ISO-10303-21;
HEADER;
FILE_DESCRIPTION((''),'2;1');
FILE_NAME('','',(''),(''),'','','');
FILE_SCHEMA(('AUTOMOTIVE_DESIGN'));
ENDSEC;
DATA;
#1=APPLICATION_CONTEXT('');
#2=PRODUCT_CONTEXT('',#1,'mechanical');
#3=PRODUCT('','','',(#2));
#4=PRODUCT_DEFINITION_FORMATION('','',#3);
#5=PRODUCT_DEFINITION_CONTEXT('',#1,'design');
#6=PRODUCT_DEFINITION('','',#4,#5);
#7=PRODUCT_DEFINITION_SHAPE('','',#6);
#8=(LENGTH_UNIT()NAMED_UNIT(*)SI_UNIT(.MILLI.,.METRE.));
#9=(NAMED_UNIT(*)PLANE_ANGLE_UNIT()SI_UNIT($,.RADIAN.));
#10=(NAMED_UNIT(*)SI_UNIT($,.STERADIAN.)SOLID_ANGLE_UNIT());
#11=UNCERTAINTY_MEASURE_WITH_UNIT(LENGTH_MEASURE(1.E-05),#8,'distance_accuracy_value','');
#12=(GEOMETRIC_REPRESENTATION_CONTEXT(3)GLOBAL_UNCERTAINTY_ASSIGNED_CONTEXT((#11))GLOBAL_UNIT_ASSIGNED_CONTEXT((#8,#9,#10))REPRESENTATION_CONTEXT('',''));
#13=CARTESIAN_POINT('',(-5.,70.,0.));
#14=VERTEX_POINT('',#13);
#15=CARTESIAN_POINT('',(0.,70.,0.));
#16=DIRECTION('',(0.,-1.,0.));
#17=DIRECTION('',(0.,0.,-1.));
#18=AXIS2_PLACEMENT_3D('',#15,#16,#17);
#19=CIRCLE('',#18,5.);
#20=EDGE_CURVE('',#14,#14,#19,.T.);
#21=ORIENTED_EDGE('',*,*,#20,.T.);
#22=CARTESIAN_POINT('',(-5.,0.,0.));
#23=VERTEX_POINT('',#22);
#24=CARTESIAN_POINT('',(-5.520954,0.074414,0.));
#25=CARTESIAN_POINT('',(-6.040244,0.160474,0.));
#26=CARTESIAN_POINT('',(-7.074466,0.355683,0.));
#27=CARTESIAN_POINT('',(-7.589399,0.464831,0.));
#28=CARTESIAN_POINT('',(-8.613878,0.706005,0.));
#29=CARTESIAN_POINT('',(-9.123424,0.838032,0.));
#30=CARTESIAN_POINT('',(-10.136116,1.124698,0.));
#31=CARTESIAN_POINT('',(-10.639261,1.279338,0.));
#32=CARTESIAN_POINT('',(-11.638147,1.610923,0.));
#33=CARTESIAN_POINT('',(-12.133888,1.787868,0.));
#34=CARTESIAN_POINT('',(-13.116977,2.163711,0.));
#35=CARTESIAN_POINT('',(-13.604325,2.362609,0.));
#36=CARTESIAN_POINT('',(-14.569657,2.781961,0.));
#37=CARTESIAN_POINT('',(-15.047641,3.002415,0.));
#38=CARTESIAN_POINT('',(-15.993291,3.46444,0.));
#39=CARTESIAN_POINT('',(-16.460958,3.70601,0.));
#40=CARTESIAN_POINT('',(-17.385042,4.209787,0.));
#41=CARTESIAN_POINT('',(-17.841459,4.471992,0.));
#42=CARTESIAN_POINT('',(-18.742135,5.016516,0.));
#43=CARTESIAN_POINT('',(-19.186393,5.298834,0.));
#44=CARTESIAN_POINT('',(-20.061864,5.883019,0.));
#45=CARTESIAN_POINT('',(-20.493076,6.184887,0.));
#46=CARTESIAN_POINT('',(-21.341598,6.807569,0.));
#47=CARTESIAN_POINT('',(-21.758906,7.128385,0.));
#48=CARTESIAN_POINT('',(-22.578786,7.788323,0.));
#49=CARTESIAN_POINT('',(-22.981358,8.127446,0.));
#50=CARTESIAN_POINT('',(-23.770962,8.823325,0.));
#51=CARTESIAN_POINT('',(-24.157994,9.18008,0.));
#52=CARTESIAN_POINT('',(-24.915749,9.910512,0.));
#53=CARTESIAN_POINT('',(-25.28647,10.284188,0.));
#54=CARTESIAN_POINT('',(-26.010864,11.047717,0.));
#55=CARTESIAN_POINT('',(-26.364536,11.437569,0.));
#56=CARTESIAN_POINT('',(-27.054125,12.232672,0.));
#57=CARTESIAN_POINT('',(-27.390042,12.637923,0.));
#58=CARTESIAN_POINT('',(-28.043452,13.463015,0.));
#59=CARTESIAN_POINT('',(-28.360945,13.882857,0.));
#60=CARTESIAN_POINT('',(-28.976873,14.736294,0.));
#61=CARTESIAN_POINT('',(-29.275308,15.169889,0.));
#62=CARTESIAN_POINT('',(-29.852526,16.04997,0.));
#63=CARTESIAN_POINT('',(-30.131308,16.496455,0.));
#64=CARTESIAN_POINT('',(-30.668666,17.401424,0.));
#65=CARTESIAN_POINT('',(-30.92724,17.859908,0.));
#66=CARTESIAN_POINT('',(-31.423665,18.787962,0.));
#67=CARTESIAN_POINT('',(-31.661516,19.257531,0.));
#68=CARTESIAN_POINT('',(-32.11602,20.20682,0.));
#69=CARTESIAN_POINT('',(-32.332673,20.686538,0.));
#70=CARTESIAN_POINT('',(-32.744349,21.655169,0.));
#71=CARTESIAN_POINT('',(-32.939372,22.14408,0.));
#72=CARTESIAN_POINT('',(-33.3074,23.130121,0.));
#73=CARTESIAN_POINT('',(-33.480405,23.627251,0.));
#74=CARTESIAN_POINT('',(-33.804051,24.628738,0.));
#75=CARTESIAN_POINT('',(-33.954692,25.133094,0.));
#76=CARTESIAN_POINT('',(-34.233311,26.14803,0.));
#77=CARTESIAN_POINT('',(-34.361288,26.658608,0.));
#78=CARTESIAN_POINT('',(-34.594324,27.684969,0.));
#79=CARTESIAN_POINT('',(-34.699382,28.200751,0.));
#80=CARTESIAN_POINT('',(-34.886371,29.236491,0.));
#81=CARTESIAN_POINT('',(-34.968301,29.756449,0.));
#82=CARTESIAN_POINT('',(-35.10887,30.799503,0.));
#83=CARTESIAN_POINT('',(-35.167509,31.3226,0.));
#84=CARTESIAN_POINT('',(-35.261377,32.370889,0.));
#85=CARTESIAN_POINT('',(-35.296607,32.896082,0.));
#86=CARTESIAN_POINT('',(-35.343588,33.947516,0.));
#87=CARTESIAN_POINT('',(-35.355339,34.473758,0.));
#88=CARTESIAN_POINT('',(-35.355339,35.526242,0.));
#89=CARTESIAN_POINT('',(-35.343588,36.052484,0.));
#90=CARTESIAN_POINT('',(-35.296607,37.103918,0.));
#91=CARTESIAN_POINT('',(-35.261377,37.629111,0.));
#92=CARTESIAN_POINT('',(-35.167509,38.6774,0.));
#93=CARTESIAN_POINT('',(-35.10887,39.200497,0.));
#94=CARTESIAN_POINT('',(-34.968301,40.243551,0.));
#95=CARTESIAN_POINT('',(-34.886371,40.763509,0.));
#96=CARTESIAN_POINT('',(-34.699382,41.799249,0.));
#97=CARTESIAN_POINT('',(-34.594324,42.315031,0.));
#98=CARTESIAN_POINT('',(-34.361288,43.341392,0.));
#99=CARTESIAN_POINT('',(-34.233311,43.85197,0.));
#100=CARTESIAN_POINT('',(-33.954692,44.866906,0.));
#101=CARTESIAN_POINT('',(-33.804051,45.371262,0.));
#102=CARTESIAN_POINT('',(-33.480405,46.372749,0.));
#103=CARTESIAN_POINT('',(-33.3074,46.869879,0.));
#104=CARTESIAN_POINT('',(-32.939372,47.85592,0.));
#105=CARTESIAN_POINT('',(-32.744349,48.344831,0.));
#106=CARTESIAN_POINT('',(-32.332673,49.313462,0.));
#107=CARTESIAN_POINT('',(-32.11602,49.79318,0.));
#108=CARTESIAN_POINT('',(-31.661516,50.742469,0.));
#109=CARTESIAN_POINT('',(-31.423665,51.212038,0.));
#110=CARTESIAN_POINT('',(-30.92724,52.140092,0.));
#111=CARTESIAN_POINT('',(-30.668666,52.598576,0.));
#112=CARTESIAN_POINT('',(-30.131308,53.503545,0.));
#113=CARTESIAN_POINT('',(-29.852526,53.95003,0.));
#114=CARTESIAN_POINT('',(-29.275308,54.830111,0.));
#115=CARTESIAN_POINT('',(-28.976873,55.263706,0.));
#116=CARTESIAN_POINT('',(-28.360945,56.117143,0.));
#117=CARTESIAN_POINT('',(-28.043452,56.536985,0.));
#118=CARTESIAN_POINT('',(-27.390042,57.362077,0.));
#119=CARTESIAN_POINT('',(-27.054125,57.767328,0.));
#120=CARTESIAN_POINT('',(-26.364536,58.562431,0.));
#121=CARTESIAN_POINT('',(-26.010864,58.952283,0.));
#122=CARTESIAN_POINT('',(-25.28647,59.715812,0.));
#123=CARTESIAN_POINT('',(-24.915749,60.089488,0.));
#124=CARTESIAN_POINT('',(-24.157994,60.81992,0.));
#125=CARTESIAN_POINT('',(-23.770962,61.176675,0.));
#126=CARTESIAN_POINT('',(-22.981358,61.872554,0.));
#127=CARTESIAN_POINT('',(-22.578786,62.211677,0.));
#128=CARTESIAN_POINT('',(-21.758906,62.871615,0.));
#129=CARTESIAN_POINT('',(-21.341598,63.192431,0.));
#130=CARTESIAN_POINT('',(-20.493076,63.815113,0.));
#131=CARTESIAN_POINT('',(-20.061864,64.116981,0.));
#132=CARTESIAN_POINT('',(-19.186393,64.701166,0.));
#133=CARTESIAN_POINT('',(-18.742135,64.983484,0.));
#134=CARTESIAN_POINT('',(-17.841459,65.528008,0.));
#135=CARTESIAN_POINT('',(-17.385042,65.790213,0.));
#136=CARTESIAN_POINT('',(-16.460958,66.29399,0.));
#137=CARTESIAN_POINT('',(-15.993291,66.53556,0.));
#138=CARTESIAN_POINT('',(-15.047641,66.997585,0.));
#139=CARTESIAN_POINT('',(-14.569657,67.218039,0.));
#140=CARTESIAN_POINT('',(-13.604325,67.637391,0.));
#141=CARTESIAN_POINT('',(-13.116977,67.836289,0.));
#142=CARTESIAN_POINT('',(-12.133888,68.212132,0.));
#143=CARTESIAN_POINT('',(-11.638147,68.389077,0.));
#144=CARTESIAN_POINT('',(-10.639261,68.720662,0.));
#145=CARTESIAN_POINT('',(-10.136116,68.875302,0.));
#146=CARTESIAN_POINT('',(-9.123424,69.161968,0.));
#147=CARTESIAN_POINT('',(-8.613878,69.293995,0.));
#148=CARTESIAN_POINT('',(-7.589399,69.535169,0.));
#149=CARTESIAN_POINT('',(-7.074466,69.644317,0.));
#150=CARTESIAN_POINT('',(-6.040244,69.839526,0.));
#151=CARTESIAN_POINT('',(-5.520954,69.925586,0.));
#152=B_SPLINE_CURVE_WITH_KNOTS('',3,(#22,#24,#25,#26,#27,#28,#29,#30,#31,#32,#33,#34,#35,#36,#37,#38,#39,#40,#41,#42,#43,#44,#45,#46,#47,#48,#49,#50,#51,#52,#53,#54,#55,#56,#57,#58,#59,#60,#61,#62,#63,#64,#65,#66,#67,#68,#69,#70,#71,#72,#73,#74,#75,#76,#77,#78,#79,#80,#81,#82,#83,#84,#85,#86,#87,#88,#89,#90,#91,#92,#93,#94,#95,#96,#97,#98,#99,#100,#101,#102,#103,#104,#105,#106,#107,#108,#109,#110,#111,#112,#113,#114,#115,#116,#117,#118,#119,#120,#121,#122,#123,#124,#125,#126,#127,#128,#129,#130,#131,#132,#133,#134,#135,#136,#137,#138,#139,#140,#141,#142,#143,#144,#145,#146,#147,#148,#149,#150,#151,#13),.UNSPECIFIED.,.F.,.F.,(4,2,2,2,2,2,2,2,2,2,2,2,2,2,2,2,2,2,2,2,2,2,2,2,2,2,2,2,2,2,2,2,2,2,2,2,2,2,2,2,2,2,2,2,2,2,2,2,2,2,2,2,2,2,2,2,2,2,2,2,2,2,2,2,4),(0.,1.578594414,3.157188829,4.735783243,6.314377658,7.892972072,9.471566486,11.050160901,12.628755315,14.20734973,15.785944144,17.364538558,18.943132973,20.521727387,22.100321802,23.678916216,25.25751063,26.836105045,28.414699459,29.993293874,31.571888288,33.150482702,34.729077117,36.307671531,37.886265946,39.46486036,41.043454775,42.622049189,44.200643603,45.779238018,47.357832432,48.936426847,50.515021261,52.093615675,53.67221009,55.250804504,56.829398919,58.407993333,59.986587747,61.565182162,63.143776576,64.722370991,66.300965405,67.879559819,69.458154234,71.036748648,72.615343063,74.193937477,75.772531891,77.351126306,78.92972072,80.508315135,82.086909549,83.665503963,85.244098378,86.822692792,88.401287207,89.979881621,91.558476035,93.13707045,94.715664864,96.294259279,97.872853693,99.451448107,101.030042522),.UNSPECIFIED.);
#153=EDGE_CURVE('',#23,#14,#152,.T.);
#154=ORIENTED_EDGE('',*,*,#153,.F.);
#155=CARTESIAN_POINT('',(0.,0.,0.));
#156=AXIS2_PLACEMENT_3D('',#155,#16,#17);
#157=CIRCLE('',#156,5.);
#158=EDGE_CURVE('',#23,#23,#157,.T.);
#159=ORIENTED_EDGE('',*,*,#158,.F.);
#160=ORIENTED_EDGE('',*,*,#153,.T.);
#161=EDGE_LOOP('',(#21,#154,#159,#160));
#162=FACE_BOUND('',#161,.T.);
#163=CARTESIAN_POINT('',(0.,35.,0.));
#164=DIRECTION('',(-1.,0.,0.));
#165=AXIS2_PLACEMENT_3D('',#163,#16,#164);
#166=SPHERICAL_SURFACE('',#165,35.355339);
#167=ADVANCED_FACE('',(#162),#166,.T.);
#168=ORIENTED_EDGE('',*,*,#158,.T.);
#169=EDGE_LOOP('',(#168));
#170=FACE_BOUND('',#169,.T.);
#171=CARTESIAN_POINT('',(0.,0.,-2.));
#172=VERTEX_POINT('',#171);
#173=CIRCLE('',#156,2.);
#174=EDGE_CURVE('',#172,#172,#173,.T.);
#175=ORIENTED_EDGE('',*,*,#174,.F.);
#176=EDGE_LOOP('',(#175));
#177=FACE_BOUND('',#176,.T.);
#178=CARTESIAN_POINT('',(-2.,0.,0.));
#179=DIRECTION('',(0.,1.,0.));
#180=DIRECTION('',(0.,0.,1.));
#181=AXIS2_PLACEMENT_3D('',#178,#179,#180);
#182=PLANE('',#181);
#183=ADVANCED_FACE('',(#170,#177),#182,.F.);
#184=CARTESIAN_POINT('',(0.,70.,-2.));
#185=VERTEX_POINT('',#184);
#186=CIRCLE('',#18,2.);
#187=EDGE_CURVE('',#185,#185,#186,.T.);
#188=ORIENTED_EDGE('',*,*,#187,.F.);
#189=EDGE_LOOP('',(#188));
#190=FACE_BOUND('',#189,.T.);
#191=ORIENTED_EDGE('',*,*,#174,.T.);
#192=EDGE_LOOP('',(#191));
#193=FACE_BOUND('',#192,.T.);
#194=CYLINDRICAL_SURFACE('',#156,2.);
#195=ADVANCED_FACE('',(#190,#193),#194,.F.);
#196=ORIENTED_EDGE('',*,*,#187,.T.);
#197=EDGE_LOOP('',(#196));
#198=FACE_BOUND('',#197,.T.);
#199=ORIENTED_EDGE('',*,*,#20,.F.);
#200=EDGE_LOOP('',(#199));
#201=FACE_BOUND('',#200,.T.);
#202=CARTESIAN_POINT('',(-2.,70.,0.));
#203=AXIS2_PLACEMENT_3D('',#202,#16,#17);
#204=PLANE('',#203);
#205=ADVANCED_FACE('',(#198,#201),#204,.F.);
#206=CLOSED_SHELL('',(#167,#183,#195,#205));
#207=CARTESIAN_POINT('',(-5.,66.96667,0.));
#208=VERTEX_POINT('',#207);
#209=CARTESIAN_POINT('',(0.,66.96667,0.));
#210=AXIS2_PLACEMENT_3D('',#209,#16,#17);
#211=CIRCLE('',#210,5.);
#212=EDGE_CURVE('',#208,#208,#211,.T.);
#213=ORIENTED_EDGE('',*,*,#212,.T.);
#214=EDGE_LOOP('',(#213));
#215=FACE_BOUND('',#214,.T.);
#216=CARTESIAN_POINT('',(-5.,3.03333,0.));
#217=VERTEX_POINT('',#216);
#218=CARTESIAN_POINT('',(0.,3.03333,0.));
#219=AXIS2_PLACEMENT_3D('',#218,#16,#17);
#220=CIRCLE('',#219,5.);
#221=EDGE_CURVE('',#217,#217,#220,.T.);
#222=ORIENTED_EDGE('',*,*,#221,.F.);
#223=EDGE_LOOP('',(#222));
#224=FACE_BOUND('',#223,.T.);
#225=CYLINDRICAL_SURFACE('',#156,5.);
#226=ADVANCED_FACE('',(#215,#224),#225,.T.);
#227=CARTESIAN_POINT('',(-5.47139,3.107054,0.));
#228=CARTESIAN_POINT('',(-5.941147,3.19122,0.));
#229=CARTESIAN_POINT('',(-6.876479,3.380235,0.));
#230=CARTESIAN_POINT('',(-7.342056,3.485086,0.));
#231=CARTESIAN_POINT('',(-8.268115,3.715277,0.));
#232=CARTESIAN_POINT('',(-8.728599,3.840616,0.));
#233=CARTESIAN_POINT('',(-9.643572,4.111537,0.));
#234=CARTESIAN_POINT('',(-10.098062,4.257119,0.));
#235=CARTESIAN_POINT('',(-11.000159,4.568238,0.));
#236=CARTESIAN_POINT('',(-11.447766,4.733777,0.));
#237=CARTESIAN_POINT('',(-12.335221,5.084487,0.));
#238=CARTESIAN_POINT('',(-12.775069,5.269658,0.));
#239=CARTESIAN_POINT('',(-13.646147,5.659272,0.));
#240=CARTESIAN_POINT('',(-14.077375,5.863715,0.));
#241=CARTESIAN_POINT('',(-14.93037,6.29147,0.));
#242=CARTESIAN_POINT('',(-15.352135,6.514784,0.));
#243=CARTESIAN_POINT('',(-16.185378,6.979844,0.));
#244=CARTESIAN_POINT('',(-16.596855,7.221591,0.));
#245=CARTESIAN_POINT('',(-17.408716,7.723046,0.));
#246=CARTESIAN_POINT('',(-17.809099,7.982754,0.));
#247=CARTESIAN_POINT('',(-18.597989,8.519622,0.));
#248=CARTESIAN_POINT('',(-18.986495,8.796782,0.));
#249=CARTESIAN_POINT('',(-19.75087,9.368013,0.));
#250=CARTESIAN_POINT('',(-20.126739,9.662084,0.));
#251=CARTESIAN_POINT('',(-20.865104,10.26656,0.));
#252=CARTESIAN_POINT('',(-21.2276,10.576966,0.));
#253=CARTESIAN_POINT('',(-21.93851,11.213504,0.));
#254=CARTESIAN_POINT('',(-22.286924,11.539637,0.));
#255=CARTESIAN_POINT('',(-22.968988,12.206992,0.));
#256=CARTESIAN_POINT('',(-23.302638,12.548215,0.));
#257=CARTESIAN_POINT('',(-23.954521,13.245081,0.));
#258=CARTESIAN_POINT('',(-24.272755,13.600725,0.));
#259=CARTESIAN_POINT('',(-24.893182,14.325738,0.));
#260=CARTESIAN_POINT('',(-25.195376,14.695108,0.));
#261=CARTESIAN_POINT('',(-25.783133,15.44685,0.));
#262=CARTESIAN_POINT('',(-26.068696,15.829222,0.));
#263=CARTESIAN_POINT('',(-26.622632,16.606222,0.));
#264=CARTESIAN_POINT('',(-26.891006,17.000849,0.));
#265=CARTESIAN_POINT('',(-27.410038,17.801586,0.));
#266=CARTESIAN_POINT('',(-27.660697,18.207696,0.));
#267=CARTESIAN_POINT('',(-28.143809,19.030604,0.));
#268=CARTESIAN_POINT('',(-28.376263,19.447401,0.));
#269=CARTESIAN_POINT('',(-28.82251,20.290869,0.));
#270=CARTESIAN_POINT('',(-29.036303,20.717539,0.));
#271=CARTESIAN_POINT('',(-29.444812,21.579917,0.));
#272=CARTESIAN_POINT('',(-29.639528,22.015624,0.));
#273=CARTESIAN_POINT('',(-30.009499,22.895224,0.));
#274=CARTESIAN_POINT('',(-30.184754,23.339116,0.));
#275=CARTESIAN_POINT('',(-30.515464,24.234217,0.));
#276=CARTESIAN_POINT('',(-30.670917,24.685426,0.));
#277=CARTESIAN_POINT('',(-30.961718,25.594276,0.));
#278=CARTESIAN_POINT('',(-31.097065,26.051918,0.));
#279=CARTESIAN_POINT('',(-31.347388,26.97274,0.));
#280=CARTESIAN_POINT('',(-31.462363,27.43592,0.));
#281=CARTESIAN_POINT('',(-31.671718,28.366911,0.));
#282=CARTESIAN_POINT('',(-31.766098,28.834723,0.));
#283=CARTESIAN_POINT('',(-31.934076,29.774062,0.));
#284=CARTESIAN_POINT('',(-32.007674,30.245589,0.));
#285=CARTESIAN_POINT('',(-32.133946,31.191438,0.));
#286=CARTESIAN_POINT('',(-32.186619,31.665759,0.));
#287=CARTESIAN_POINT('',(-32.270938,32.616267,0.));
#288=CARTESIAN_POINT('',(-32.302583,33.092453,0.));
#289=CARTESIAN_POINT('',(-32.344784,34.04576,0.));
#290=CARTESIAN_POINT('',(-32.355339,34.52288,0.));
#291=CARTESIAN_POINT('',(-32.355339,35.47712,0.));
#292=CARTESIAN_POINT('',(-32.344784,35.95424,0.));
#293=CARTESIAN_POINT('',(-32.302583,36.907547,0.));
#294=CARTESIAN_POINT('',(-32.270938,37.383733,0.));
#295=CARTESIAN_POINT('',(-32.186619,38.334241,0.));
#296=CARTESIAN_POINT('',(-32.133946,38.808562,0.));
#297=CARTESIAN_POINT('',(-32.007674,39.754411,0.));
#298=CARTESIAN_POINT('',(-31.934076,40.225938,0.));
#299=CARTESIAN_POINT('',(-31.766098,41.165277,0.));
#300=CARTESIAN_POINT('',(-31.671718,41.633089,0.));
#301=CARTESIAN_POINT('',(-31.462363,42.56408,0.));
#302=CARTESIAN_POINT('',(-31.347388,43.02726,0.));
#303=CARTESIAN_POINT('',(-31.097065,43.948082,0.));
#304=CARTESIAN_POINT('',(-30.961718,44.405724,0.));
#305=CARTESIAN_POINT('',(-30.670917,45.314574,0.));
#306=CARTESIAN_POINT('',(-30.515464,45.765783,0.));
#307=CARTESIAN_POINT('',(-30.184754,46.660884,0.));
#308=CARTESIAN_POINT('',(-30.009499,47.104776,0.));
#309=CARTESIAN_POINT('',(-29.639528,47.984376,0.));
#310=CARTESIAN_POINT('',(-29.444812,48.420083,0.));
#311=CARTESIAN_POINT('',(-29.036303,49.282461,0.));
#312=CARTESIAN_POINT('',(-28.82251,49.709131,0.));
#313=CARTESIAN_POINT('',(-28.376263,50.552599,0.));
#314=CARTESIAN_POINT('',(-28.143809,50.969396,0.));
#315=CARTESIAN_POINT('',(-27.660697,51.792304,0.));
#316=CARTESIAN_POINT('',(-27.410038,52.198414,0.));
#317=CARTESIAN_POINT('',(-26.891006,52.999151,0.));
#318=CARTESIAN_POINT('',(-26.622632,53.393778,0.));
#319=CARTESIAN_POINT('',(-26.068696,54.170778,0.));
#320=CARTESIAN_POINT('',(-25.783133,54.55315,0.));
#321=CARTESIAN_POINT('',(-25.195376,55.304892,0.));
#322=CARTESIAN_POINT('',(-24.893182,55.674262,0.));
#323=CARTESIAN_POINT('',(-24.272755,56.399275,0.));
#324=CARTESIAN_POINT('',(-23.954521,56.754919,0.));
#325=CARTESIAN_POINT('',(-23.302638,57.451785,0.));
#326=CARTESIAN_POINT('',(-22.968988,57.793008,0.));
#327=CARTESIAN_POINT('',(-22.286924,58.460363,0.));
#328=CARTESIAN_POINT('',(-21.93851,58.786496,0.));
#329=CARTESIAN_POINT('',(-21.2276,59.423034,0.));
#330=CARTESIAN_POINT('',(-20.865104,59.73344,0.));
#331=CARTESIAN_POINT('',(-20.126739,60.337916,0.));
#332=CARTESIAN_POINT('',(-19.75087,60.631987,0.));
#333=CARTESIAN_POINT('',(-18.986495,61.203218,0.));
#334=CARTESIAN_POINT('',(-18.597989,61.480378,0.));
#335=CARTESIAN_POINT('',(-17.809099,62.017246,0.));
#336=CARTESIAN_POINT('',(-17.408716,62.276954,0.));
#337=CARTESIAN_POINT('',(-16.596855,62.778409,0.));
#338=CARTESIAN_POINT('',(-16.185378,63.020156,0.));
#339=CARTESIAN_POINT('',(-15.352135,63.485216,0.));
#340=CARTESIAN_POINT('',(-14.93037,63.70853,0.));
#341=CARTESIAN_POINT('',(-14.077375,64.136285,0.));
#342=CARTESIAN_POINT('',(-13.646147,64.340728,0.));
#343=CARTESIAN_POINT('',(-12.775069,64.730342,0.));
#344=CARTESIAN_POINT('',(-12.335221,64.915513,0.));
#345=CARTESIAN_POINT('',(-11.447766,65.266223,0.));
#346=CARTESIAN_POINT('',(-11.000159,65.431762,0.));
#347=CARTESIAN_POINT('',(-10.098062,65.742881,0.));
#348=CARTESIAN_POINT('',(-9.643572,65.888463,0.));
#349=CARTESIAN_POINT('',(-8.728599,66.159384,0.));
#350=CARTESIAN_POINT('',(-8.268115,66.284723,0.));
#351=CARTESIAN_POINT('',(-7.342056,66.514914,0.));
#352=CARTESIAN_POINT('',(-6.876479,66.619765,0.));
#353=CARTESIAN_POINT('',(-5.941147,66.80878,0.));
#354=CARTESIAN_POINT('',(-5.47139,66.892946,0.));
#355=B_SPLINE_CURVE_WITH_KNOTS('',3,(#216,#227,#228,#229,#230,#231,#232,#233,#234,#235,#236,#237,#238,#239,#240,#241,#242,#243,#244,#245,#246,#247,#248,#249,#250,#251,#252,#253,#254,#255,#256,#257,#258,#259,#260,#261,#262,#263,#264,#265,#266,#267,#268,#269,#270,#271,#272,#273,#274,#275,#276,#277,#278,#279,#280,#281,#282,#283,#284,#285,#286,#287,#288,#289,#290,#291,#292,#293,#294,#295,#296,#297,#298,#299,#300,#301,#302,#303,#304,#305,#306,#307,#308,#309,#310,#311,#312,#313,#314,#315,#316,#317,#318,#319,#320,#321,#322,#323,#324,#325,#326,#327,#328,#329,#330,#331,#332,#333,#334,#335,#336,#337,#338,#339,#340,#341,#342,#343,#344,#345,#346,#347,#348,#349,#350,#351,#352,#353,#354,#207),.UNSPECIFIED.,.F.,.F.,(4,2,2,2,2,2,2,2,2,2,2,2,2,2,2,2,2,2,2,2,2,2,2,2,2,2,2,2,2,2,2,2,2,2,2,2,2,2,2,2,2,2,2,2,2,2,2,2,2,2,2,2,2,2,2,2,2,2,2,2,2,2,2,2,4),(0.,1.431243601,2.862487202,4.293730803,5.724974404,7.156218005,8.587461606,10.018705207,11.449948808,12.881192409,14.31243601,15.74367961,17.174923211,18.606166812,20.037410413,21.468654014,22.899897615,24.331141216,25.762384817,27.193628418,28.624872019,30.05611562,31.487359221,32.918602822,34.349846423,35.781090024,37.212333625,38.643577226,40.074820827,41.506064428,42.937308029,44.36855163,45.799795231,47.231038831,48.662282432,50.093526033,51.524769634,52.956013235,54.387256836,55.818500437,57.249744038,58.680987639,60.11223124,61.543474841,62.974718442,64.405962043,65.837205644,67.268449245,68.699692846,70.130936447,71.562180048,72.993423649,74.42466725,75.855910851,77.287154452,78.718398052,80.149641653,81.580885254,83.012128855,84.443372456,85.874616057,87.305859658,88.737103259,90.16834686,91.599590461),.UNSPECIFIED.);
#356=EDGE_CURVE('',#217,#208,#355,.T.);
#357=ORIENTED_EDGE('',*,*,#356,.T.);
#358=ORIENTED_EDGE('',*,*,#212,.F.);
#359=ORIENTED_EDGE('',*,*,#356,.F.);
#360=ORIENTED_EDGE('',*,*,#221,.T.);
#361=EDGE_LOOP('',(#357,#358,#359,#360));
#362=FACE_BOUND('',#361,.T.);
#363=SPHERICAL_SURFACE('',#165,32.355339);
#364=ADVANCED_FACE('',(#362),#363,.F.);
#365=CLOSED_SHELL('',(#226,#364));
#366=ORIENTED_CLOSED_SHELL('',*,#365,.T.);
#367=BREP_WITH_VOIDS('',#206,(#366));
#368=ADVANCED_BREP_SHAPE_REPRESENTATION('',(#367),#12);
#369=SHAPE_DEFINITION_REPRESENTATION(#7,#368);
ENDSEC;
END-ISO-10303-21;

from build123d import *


with BuildPart() as part:
    # Esquisse1 → Révolution1 (revolve)
    with BuildSketch(Plane.XY):
        with BuildLine():
            Line((-2, 0), (-5, 0))
            ThreePointArc((-5, 0), (-35.355339059, 35), (-5, 70))
            Line((-5, 70), (-2, 70))
            Line((-2, 70), (-2, 0))
        make_face()
        with BuildLine():
            Line((-5, 3.033330395), (-5, 66.966669605))
            ThreePointArc((-5, 66.966669605), (-32.355339059, 35), (-5, 3.033330395))
        make_face(mode=Mode.SUBTRACT)
    revolve(axis=Axis((0, 0, 0), (0, 1, 0)))


solid = part.part
